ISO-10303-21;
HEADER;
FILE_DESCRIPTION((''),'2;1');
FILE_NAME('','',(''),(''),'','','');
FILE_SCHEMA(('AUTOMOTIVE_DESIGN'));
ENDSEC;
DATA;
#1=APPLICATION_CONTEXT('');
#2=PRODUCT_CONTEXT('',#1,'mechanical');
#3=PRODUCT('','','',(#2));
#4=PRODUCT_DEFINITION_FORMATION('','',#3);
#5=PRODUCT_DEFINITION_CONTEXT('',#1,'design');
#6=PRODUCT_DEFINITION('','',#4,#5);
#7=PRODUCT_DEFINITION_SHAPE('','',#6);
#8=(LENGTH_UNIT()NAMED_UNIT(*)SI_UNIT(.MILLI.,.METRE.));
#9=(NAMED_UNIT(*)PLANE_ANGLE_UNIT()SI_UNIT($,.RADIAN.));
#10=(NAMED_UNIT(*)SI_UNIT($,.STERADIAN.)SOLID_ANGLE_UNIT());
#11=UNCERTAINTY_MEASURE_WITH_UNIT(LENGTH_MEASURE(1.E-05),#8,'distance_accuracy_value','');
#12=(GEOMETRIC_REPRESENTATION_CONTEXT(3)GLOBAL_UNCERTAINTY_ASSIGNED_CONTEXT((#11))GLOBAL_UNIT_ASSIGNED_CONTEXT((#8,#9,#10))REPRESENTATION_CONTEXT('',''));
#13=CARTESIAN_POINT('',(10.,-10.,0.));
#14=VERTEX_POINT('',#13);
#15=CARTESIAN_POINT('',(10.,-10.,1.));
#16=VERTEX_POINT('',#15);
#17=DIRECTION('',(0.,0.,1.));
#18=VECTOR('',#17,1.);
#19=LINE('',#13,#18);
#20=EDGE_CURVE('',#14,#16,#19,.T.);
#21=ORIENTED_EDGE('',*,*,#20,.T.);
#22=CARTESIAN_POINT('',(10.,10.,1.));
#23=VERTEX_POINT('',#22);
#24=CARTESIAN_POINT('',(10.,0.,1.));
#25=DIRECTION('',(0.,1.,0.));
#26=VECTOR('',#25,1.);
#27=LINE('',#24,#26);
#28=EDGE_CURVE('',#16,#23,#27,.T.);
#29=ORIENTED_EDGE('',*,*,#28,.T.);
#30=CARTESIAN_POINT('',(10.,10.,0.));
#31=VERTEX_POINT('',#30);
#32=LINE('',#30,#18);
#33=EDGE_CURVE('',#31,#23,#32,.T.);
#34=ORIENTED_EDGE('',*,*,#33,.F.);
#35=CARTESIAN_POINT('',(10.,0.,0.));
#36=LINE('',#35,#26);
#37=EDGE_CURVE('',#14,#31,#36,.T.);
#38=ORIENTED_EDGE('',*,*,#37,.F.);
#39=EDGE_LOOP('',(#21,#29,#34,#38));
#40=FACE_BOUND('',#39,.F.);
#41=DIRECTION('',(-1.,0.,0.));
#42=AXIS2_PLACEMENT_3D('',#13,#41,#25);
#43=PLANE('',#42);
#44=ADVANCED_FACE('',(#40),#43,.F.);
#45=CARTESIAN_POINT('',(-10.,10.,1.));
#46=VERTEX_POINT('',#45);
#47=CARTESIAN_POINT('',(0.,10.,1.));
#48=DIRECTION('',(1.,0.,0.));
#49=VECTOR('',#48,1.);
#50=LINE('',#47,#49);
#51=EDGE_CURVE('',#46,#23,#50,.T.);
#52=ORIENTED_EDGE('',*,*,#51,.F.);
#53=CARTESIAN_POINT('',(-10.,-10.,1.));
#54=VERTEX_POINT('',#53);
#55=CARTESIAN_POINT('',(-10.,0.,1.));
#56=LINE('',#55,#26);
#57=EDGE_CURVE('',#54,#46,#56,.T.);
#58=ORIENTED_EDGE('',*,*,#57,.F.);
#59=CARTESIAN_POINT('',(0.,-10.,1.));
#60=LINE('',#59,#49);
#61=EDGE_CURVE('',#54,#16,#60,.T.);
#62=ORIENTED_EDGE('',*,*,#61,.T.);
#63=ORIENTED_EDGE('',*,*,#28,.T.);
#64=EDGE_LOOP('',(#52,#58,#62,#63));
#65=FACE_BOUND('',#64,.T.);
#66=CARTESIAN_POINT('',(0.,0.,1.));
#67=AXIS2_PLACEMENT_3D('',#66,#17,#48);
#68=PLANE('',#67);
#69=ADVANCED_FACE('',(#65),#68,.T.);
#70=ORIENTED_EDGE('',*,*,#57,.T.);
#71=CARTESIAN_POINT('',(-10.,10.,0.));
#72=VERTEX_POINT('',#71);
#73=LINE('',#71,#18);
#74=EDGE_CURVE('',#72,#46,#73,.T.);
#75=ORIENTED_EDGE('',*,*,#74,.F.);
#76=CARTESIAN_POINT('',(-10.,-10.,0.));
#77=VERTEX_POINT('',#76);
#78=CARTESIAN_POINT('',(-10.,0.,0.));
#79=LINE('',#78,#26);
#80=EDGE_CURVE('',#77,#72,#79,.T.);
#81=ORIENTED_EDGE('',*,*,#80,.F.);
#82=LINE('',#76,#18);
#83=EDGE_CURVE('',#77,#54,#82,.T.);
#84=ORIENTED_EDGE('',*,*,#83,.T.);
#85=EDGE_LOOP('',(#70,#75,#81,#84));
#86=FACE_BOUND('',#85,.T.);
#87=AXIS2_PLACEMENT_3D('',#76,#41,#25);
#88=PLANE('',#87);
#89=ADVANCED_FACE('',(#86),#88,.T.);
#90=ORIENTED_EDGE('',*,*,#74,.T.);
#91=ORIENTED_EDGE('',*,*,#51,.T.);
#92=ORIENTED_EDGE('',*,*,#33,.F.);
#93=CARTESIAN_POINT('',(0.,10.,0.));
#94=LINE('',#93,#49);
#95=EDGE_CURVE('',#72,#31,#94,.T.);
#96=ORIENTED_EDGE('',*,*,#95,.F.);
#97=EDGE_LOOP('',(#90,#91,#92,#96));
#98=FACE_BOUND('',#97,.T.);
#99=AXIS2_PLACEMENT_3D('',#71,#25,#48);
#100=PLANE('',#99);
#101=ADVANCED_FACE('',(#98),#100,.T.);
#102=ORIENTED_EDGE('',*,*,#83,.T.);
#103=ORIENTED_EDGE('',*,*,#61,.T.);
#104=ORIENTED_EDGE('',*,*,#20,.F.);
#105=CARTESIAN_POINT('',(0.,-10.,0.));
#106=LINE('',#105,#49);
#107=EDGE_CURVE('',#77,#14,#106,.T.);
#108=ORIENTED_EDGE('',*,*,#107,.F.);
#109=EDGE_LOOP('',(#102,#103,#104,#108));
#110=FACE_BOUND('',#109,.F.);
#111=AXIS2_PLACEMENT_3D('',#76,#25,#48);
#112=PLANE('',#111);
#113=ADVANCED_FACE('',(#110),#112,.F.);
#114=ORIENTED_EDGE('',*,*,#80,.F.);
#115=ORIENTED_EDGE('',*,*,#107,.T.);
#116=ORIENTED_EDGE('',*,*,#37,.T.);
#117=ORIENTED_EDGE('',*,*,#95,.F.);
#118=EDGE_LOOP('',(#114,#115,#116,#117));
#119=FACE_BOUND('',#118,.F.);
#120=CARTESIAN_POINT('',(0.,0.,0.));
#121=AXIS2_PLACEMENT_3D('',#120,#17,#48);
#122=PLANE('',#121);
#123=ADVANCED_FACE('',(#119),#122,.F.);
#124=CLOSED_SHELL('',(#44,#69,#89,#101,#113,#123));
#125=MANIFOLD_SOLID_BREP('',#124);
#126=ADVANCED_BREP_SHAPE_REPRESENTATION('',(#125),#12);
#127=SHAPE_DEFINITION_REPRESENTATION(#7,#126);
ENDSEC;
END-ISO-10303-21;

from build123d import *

# Parameters (mm, degrees)
SKETCH_W  = 20
SKETCH_H  = 20
PAD_DEPTH = 1


with BuildPart() as part:
    # Sketch → Pad (new body)
    with BuildSketch(Plane.XY):
        Rectangle(SKETCH_W, SKETCH_H)
    extrude(amount=PAD_DEPTH)


solid = part.part
